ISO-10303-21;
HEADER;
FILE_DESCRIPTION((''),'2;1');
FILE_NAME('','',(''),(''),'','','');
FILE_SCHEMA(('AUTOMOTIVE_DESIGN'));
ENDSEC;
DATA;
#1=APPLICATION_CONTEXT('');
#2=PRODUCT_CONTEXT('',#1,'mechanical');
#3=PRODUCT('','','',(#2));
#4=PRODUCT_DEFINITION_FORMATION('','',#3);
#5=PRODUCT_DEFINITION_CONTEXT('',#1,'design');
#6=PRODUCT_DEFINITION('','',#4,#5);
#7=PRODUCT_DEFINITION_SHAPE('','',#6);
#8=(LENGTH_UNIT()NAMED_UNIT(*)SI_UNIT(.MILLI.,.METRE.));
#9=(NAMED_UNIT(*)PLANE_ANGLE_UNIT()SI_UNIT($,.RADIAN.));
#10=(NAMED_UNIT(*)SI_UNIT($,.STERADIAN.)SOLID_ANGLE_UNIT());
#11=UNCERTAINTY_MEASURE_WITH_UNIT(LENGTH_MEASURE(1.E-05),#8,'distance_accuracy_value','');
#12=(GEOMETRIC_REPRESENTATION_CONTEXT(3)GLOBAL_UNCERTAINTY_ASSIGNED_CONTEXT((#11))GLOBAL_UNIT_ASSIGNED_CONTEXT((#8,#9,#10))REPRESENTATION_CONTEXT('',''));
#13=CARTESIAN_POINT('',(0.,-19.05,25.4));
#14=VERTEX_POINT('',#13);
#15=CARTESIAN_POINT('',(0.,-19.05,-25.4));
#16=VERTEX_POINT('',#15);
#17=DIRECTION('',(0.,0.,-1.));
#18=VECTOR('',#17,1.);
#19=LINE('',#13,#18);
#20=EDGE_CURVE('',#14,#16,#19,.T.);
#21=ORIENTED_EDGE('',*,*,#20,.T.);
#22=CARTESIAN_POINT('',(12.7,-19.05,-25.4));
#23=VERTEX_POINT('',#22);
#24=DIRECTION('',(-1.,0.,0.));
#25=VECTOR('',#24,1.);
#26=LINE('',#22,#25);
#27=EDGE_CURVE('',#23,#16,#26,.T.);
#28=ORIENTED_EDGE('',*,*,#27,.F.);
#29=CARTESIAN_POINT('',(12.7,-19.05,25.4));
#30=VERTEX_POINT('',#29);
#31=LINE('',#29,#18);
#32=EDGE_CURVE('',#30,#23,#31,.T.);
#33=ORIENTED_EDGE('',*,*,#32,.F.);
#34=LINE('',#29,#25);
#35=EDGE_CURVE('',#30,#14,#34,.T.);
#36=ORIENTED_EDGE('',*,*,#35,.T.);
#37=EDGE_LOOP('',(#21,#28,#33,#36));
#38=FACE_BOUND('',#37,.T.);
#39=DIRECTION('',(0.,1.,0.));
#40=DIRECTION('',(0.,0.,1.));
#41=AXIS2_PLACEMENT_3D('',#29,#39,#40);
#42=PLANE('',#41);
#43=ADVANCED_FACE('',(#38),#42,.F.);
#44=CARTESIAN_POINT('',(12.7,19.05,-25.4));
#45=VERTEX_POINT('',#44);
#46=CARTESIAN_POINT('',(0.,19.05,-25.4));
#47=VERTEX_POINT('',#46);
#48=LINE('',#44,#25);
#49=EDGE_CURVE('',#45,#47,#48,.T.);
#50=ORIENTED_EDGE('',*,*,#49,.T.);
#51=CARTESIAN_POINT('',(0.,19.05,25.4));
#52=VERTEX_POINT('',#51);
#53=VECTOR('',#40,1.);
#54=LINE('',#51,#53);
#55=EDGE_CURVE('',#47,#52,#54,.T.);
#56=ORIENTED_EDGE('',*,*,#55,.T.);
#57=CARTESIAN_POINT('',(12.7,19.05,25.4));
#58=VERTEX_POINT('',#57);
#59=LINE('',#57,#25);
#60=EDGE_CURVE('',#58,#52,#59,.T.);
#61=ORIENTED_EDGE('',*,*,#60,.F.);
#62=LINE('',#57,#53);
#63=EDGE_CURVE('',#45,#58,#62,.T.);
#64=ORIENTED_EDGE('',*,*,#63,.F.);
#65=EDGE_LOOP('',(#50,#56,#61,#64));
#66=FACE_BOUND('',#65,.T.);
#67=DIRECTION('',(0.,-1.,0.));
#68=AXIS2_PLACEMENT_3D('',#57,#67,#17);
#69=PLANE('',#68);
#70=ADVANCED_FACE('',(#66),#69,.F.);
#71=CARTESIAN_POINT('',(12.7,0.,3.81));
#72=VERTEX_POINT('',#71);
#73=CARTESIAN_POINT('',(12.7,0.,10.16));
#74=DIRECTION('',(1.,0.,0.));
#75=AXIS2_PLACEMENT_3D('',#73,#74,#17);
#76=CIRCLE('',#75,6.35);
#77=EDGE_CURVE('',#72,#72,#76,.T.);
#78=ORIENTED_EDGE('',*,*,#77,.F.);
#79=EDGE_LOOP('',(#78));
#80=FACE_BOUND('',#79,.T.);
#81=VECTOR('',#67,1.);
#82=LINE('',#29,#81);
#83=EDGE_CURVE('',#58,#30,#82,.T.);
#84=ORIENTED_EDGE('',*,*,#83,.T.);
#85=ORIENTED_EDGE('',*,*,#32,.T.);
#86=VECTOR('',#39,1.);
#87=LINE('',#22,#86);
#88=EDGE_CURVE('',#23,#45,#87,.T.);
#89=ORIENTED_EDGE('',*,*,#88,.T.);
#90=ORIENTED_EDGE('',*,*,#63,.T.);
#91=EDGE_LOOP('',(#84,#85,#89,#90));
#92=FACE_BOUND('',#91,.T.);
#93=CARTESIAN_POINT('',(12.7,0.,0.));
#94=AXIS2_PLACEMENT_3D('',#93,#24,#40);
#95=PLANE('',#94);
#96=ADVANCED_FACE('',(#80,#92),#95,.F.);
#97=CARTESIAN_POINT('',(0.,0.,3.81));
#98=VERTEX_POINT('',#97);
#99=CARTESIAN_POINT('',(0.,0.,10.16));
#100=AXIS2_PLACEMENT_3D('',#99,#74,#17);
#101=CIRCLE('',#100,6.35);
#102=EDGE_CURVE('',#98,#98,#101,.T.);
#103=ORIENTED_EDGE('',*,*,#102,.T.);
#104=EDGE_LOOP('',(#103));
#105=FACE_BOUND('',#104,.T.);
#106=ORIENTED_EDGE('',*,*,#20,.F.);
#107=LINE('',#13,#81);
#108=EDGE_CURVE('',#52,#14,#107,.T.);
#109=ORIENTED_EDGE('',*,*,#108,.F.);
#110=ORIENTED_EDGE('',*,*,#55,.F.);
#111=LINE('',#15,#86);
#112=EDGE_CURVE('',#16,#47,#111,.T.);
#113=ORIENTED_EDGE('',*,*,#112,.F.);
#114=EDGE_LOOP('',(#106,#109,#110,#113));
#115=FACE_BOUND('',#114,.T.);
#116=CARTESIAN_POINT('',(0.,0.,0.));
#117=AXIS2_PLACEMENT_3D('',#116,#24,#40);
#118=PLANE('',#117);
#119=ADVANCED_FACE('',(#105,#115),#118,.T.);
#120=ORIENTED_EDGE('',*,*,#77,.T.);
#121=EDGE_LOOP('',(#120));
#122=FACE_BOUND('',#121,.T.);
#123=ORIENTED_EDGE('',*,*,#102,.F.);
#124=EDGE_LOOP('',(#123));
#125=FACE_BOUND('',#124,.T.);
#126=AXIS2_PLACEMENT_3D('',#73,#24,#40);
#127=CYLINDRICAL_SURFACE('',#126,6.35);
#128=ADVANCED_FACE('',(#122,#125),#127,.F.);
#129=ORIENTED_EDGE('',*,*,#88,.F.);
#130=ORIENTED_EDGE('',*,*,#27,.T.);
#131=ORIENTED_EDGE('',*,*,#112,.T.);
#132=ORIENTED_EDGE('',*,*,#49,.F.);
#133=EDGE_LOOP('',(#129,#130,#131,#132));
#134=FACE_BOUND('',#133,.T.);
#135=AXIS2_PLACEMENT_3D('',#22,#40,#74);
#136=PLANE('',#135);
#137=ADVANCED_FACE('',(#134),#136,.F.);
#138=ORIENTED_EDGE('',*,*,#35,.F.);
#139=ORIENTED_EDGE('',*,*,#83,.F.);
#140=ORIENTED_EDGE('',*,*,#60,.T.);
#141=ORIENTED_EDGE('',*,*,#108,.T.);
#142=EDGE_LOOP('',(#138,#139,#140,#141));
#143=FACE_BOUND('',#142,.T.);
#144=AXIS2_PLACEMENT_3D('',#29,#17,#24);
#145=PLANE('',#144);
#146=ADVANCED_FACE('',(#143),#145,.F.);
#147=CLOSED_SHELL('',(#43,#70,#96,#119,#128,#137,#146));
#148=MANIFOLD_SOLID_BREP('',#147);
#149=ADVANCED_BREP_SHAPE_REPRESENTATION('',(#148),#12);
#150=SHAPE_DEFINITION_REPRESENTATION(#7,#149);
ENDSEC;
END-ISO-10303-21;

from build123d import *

# Parameters (mm, degrees)
SKETCH1_W           = 50.8
SKETCH1_H           = 38.1
SKETCH1_R           = 6.35
BOSS_EXTRUDE1_DEPTH = 12.7


with BuildPart() as part:
    # Sketch1 → Boss-Extrude1 (new body)
    with BuildSketch(Plane(origin=(0, 0, 0), x_dir=(0, 0, -1), z_dir=(1, 0, 0))):
        Rectangle(SKETCH1_W, SKETCH1_H)
        with Locations((-10.16, 0)):
            Circle(SKETCH1_R, mode=Mode.SUBTRACT)
    extrude(amount=BOSS_EXTRUDE1_DEPTH)


solid = part.part
